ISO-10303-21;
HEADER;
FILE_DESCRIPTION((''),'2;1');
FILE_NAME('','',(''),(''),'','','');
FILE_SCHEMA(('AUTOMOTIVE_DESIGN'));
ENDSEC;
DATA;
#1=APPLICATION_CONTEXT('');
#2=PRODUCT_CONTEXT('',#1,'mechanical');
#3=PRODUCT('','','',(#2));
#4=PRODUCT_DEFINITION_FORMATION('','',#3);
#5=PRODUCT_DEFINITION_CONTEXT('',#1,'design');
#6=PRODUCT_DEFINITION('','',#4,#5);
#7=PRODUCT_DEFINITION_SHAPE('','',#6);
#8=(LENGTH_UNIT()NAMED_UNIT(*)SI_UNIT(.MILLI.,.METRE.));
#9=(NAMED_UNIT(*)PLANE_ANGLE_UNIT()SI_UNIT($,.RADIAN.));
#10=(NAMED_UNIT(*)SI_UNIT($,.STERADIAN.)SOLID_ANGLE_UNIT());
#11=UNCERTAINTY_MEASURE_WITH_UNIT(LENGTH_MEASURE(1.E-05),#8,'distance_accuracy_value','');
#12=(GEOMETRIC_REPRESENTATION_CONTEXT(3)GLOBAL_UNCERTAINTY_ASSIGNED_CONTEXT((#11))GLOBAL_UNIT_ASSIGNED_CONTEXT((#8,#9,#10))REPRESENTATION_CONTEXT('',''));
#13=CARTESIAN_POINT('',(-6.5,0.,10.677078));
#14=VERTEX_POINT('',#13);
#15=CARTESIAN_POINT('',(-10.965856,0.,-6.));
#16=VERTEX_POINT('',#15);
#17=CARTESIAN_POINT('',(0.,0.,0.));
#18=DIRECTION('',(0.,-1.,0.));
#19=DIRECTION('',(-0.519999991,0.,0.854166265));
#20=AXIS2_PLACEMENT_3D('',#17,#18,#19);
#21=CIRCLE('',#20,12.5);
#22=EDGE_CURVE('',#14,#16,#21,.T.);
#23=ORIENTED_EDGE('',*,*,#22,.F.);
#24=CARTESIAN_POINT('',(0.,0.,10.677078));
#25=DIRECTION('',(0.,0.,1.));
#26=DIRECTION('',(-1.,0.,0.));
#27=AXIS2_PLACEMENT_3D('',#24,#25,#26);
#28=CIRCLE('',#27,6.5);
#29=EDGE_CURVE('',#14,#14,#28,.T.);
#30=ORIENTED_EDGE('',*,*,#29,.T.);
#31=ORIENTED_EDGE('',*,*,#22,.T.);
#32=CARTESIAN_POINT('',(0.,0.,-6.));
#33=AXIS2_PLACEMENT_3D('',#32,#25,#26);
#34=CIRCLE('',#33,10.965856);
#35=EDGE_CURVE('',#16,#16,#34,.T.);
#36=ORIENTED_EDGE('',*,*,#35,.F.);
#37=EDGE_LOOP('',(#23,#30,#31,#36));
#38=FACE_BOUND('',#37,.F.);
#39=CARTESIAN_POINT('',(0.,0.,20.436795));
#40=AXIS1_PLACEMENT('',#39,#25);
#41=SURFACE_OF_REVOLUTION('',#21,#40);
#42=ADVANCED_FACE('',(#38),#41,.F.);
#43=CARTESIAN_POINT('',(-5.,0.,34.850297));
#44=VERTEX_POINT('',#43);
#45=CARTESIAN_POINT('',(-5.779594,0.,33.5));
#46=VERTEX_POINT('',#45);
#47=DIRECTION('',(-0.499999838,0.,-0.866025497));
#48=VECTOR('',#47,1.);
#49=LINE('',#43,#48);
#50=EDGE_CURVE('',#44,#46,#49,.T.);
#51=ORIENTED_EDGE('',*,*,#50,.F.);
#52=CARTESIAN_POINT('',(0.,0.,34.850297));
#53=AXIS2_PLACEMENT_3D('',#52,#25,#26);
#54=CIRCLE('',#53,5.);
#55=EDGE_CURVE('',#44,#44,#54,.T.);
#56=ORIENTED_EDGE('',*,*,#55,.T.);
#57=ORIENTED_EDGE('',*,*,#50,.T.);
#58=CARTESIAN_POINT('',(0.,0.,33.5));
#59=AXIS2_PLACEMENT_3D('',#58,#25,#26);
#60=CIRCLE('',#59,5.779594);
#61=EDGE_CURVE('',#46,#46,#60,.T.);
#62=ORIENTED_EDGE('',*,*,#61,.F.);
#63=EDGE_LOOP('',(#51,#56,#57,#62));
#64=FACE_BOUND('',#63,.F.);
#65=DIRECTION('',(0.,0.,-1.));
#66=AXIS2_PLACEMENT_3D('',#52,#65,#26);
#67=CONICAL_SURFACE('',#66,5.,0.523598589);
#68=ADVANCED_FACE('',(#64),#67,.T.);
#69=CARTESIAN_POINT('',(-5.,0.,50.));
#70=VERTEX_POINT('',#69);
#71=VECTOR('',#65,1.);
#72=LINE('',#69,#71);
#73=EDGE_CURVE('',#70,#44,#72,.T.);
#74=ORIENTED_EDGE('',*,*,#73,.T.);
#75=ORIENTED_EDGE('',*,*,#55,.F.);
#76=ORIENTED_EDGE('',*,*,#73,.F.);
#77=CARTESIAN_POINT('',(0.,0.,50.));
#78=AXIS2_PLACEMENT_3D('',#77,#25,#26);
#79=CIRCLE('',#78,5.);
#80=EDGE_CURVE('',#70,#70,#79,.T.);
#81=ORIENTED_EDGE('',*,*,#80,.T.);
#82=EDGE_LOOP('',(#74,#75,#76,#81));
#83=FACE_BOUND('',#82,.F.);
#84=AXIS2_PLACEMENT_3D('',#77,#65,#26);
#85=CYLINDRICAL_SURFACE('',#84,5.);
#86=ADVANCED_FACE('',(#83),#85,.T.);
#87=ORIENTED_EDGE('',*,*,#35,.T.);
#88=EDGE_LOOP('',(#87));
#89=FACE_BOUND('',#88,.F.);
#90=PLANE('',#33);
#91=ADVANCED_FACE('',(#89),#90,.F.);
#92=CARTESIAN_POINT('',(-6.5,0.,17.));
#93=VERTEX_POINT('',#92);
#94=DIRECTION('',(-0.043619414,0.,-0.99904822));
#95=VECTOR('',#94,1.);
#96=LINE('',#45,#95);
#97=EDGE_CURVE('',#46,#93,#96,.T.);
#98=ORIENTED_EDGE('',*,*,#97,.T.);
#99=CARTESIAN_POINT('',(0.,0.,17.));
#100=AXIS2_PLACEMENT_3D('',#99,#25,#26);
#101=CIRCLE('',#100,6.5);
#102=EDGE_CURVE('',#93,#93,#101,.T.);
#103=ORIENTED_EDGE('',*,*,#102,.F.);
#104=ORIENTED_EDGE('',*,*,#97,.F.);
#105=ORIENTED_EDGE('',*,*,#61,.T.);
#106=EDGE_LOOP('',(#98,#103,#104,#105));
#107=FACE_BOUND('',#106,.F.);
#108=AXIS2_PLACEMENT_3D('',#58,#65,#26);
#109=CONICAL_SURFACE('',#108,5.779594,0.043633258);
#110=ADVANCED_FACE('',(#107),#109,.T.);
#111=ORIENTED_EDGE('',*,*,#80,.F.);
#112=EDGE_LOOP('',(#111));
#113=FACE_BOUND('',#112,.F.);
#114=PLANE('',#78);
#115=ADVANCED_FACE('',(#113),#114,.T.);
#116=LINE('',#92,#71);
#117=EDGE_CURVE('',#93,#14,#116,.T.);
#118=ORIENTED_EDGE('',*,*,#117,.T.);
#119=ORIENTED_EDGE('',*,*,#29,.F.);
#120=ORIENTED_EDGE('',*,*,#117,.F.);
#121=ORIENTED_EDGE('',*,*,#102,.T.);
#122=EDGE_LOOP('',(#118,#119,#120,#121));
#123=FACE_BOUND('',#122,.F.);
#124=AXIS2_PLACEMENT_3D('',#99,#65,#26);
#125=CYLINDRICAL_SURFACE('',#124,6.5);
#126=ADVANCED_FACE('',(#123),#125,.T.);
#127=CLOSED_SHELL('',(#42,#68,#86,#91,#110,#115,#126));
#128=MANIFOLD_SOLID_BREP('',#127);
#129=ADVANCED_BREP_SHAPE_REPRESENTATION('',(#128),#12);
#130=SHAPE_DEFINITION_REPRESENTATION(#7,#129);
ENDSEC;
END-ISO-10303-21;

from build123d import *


with BuildPart() as f1:
    # F0 (on Front) → F1 (revolve)
    with BuildSketch(Plane.XZ):
        with BuildLine():
            Line((-6.5, 17), (-6.5, 10.677078))
            ThreePointArc((-6.5, 10.677078), (-12.074571, 3.233378), (-10.965856, -6))
            Line((-10.965856, -6), (0, -6))
            Line((0, -6), (0, 50))
            Line((0, 50), (-5, 50))
            Line((-5, 50), (-5, 34.850297))
            Line((-5, 34.850297), (-5.779594, 33.5))
            Line((-5.779594, 33.5), (-6.5, 17))
        make_face()
    revolve(axis=Axis((0, 0, 20.436795), (0, 0, 1)))


solid = f1.part
